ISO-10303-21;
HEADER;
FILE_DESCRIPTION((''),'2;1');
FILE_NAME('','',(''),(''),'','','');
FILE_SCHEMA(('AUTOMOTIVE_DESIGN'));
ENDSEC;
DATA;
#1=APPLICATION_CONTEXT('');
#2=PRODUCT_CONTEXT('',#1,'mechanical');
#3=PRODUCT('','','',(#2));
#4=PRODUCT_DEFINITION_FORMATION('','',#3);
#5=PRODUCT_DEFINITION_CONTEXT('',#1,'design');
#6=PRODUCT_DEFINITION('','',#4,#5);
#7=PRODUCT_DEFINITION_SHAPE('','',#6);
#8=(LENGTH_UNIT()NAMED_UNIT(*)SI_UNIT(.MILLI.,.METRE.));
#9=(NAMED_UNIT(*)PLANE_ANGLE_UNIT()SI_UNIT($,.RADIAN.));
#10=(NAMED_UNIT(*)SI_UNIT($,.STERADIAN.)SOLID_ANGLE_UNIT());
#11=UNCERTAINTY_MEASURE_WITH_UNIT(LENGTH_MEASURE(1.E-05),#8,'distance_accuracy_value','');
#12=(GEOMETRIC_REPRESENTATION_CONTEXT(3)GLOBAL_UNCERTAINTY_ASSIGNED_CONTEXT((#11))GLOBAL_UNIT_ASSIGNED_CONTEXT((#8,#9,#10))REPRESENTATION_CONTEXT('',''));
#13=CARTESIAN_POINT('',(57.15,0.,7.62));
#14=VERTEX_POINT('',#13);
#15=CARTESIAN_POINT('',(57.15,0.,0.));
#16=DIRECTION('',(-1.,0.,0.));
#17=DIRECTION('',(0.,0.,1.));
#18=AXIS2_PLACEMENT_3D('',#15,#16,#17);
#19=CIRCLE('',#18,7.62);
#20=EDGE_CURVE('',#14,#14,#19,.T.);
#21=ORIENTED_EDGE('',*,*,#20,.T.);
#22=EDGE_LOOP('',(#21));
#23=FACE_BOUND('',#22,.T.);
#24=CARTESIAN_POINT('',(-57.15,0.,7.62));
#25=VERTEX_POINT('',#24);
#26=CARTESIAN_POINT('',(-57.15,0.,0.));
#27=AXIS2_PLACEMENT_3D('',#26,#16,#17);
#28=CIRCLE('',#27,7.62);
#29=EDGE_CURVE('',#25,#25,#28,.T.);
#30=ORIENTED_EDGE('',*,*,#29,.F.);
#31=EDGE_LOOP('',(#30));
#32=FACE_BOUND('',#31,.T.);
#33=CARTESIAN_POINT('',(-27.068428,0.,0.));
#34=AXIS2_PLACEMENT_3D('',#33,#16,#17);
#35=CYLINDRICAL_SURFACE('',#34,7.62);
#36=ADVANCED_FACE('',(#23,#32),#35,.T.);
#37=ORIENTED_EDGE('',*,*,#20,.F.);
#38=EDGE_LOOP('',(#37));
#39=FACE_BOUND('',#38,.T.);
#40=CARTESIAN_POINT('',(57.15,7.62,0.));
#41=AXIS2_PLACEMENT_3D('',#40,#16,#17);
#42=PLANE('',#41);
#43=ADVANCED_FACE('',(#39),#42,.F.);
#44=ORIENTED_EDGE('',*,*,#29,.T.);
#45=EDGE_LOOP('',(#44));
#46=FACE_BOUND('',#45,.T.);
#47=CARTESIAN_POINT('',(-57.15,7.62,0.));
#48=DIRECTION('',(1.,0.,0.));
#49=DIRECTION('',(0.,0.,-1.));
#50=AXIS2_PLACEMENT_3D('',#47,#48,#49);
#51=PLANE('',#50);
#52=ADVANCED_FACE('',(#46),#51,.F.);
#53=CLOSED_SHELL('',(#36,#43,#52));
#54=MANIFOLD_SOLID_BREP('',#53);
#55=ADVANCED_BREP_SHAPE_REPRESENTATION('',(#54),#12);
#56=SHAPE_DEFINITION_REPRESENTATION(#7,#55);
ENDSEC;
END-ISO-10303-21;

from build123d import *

# Parameters (mm, degrees)
SKETCH1_W = 114.3
SKETCH1_H = 7.62


with BuildPart() as part:
    # Sketch1 → Revolve10 (revolve)
    with BuildSketch(Plane.XY, mode=Mode.PRIVATE) as revolve10_sk:
        with Locations((0, 3.81)):
            Rectangle(SKETCH1_W, SKETCH1_H)
    revolve(revolve10_sk.sketch.rotate(Axis((-27.068427673, 0, 0), (1, 0, 0)), 90), axis=Axis((-27.068427673, 0, 0), (1, 0, 0)))


solid = part.part
